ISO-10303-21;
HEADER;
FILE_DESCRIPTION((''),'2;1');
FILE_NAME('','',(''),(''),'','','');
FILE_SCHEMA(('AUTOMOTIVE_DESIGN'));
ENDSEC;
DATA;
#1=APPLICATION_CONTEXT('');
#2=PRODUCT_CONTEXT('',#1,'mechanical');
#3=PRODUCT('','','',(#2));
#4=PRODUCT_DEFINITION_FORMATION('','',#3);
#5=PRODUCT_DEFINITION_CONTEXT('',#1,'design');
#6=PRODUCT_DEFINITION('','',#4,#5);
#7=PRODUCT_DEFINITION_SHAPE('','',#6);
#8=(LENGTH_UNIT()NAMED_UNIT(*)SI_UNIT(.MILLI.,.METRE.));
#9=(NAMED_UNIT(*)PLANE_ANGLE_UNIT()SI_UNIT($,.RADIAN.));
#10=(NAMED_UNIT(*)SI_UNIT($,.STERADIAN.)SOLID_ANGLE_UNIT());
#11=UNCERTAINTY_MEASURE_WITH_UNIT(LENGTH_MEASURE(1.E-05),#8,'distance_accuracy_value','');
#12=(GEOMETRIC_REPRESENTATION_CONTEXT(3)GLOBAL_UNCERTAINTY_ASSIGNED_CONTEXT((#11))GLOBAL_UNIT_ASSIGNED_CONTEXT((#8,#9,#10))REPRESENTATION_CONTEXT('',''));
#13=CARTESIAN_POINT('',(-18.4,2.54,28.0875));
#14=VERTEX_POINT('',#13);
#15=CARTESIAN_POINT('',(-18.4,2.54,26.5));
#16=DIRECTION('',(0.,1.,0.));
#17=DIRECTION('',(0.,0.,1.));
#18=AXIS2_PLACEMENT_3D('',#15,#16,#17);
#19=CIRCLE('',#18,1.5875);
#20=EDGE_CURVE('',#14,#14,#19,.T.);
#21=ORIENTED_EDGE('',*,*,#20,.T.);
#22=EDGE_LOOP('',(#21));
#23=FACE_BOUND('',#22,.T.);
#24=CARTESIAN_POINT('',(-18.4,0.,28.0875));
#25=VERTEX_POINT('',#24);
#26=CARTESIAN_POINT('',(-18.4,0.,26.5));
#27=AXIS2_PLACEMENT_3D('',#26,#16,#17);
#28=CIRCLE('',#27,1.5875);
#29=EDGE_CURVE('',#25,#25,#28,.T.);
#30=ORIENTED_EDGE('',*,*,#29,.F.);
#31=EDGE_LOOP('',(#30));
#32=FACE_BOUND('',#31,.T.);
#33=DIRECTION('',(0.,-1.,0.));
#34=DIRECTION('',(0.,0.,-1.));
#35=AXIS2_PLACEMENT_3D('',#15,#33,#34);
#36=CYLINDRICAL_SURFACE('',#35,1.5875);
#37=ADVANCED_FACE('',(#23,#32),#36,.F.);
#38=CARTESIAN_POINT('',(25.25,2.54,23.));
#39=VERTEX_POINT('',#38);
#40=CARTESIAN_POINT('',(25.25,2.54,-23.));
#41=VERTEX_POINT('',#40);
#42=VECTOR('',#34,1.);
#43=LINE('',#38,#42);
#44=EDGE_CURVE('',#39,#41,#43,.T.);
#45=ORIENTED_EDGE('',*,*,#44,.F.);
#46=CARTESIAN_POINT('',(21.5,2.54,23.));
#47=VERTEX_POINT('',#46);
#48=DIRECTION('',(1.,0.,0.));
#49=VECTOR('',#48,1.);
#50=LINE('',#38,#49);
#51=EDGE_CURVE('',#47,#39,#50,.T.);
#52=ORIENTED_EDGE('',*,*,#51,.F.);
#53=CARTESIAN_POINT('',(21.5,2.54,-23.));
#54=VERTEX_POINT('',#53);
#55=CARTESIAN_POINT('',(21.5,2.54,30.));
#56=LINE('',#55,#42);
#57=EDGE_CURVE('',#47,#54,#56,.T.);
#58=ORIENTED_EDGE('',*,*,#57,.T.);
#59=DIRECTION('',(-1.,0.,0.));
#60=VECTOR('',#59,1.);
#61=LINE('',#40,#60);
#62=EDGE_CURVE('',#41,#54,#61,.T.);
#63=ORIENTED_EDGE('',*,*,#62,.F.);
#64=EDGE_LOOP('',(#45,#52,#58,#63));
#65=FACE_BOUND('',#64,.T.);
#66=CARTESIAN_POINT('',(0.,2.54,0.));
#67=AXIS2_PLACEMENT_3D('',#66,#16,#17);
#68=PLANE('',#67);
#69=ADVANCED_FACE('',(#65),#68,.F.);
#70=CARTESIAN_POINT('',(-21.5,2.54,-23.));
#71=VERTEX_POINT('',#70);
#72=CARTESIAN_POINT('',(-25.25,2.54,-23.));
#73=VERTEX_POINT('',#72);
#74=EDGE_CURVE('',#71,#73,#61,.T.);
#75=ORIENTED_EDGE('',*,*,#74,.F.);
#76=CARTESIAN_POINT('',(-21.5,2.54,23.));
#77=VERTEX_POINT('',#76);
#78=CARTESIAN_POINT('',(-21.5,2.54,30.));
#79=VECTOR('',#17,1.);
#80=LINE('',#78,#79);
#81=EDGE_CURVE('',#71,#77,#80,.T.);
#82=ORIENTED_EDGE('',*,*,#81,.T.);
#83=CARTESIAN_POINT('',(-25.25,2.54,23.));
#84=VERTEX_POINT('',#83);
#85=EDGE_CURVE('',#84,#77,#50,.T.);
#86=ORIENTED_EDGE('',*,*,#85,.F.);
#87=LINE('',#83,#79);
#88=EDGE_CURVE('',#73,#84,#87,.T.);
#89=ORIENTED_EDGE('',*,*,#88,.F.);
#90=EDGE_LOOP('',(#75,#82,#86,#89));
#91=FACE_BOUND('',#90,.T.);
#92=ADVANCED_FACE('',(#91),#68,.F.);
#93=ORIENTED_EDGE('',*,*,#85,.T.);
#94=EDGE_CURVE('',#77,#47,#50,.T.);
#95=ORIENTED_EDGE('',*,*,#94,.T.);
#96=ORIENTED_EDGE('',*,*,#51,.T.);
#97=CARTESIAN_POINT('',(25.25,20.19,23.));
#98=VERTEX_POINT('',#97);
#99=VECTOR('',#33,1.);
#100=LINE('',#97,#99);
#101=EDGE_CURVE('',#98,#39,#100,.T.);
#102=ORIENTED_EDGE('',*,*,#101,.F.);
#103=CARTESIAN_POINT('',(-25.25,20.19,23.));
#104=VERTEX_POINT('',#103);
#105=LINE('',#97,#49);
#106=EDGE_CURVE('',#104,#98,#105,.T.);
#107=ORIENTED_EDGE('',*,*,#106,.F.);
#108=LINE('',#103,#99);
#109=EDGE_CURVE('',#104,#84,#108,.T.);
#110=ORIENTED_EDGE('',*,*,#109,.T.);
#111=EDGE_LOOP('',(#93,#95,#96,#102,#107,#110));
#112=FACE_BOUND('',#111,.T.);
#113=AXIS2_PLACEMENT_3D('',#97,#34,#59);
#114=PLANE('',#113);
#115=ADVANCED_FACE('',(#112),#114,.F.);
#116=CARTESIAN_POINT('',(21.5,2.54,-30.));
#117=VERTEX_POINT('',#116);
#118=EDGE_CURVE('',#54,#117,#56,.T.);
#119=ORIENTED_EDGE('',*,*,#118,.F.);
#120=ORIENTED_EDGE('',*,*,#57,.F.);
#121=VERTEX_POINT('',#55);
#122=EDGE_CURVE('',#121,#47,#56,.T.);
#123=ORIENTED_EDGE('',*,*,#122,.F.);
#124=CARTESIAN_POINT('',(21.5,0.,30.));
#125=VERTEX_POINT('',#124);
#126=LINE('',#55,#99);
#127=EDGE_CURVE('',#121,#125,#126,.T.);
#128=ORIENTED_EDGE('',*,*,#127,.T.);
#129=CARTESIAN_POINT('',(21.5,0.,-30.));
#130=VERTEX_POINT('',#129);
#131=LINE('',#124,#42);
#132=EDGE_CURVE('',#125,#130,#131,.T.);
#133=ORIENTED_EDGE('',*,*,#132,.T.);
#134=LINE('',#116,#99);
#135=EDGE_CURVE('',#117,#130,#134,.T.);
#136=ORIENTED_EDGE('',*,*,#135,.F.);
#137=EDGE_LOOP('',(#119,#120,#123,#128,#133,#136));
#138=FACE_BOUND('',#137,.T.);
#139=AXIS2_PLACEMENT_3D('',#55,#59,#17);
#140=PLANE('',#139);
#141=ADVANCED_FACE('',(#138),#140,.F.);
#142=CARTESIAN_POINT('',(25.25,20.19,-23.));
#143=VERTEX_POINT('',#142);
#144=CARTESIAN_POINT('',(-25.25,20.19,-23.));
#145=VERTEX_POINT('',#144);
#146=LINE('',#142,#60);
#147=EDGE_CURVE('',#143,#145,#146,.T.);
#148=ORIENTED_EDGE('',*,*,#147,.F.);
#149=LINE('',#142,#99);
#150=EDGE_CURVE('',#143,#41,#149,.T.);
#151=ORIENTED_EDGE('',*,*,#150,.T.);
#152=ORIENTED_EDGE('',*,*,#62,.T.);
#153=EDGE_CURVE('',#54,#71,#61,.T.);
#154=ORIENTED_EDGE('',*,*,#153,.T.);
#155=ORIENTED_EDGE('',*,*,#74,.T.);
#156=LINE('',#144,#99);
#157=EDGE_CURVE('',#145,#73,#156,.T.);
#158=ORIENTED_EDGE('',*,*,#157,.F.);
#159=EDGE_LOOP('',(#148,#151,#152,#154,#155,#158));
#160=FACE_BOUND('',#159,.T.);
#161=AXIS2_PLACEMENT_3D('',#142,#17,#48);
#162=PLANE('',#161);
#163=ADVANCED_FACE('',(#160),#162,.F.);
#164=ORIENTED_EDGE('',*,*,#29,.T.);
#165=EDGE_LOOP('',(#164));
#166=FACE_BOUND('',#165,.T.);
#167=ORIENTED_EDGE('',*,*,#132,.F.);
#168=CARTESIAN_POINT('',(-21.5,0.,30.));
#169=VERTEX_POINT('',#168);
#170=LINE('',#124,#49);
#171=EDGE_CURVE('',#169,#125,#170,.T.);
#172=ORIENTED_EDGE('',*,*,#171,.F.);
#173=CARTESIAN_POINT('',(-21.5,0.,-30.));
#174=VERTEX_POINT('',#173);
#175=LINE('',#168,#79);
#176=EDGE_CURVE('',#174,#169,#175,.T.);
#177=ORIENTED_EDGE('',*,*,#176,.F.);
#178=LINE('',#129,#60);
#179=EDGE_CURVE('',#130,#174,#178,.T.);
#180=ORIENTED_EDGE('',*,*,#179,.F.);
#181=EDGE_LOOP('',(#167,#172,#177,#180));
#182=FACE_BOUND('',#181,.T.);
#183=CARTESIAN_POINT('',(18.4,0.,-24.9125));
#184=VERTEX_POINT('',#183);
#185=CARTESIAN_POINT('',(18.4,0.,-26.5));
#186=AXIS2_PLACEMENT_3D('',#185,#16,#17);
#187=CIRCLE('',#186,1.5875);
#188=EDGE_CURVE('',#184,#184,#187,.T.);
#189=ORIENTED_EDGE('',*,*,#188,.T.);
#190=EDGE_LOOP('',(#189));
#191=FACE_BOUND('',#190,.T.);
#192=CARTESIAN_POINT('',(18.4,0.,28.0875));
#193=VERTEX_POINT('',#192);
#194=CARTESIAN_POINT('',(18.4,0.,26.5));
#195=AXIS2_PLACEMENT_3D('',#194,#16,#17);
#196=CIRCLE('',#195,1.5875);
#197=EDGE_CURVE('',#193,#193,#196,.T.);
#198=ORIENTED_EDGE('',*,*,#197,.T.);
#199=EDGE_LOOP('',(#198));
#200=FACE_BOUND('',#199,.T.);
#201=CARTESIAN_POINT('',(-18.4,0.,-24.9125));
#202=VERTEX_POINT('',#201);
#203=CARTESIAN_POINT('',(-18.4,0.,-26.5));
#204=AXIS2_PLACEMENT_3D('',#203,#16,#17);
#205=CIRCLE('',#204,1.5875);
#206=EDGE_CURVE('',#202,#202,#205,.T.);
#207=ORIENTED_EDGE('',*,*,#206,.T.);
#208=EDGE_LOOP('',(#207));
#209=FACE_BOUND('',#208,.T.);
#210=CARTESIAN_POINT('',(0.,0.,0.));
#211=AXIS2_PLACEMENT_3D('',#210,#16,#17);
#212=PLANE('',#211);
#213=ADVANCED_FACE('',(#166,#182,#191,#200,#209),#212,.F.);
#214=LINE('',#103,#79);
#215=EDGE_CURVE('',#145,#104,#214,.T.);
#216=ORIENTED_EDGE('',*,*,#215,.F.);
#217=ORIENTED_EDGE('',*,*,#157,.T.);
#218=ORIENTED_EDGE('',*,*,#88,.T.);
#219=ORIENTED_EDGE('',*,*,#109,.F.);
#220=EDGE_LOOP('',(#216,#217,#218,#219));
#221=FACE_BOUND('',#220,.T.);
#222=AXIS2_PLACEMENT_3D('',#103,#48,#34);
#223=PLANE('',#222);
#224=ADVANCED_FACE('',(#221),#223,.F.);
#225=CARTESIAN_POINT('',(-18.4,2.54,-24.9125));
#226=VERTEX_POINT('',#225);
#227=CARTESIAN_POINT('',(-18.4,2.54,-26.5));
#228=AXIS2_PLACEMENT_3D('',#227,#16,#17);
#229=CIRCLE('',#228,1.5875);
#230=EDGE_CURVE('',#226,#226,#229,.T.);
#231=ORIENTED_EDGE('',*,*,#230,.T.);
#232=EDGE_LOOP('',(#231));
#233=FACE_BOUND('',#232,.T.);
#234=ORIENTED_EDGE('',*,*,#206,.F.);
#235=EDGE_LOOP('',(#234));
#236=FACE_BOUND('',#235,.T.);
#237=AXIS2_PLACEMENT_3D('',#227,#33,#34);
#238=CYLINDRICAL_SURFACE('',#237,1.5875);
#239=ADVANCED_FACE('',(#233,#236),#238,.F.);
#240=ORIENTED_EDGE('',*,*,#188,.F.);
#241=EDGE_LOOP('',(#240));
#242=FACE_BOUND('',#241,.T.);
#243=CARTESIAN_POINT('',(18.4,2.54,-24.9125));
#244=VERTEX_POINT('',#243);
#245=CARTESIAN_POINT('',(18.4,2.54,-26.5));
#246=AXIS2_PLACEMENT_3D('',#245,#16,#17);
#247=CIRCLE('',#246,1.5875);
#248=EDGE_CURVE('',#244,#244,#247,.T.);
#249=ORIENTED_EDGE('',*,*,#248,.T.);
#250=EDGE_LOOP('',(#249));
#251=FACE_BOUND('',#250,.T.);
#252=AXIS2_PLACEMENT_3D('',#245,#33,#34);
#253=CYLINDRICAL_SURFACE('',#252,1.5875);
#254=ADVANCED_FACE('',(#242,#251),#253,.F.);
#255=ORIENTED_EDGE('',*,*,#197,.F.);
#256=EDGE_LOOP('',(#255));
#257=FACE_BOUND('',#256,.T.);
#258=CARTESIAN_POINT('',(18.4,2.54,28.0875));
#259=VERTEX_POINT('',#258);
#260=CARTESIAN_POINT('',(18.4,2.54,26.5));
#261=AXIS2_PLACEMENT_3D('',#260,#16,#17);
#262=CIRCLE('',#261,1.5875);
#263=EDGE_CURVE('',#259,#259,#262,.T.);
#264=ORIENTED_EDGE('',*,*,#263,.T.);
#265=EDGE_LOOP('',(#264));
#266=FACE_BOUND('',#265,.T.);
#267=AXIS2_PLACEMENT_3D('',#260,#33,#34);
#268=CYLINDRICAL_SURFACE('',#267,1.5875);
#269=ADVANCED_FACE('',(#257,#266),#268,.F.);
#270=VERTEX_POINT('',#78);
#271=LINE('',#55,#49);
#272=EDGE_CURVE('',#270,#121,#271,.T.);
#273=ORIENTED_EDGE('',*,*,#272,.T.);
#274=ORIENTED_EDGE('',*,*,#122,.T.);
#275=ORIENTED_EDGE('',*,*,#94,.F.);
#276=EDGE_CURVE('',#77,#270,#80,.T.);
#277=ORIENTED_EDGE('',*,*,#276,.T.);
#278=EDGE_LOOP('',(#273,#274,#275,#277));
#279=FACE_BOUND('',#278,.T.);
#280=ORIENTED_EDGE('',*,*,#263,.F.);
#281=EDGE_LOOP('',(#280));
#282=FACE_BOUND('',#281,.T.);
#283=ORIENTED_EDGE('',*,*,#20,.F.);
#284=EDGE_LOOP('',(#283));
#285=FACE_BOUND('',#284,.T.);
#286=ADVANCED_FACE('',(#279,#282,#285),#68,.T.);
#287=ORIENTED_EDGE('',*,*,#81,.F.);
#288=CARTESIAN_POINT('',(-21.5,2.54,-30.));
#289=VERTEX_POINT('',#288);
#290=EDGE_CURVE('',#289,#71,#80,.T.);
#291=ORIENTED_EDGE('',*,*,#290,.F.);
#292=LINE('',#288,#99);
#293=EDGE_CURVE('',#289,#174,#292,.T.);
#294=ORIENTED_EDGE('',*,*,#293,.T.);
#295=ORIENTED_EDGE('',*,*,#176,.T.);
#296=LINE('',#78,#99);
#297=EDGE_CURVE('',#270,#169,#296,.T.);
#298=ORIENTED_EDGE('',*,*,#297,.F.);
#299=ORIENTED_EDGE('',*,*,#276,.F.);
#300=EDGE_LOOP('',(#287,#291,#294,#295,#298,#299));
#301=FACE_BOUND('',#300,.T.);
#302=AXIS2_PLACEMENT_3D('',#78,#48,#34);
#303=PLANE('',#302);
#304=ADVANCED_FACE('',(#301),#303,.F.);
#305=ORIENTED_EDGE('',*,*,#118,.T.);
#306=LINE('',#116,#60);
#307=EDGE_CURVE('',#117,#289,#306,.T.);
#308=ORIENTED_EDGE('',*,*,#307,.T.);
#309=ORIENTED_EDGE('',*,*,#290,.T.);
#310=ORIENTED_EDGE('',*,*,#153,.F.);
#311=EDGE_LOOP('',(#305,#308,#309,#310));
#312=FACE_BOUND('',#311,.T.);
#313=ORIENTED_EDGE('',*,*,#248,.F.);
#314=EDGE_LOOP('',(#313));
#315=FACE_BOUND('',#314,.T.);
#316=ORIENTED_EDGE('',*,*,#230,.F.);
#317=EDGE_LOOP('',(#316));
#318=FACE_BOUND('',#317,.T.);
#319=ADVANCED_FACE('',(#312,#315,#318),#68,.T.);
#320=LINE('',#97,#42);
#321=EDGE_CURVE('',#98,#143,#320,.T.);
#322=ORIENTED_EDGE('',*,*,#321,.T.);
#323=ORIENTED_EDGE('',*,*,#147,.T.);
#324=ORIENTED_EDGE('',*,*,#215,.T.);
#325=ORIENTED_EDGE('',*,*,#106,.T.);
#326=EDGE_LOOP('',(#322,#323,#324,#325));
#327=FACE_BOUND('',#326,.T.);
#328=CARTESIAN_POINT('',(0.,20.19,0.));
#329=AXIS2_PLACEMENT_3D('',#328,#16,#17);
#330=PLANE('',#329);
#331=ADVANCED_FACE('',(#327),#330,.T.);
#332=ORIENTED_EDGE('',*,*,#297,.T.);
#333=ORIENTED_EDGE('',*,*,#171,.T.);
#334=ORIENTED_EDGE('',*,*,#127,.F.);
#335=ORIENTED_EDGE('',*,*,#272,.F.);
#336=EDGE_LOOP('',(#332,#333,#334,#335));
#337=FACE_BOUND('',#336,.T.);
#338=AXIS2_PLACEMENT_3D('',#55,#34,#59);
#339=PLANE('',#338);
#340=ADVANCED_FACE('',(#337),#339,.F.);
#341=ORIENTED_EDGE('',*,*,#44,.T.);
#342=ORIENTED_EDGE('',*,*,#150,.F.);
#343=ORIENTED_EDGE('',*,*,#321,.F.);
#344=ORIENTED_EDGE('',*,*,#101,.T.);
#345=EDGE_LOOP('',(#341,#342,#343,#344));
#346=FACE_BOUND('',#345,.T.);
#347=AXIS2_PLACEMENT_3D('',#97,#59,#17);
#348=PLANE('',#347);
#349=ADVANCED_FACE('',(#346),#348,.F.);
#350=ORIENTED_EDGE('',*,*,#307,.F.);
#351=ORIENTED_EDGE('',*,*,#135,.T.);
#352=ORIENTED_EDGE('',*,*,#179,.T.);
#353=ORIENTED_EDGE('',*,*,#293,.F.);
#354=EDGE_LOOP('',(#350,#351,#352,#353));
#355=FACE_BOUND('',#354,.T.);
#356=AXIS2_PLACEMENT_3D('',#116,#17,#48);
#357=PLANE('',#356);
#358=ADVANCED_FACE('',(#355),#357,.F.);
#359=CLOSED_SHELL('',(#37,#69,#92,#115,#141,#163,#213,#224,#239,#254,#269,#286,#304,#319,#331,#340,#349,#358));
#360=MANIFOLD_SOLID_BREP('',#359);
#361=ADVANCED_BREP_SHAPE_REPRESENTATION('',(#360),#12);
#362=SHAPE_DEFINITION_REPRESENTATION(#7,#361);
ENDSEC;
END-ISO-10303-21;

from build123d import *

# Parameters (mm, degrees)
SKETCH1_W           = 43
SKETCH1_H           = 60
SKETCH1_R           = 1.5875
BOSS_EXTRUDE1_DEPTH = 2.54
SKETCH2_W           = 50.5
SKETCH2_H           = 46
BOSS_EXTRUDE2_DEPTH = 17.65


with BuildPart() as part:
    # Sketch1 → Boss-Extrude1 (new body)
    with BuildSketch(Plane(origin=(0, 0, 0), x_dir=(1, 0, 0), z_dir=(0, 1, 0))):
        Rectangle(SKETCH1_W, SKETCH1_H)
        with Locations(Location((-18.4, 26.5, 0), (0, 0, 270))):
            Circle(SKETCH1_R, mode=Mode.SUBTRACT)
        with Locations(Location((18.4, 26.5, 0), (0, 0, 270))):
            Circle(SKETCH1_R, mode=Mode.SUBTRACT)
        with Locations(Location((18.4, -26.5, 0), (0, 0, 270))):
            Circle(SKETCH1_R, mode=Mode.SUBTRACT)
        with Locations(Location((-18.4, -26.5, 0), (0, 0, 270))):
            Circle(SKETCH1_R, mode=Mode.SUBTRACT)
    extrude(amount=BOSS_EXTRUDE1_DEPTH)

    # Sketch2 → Boss-Extrude2 (add)
    with BuildSketch(Plane(origin=(0, 2.54, 0), x_dir=(1, 0, 0), z_dir=(0, 1, 0))):
        Rectangle(SKETCH2_W, SKETCH2_H)
    extrude(amount=BOSS_EXTRUDE2_DEPTH)


solid = part.part
